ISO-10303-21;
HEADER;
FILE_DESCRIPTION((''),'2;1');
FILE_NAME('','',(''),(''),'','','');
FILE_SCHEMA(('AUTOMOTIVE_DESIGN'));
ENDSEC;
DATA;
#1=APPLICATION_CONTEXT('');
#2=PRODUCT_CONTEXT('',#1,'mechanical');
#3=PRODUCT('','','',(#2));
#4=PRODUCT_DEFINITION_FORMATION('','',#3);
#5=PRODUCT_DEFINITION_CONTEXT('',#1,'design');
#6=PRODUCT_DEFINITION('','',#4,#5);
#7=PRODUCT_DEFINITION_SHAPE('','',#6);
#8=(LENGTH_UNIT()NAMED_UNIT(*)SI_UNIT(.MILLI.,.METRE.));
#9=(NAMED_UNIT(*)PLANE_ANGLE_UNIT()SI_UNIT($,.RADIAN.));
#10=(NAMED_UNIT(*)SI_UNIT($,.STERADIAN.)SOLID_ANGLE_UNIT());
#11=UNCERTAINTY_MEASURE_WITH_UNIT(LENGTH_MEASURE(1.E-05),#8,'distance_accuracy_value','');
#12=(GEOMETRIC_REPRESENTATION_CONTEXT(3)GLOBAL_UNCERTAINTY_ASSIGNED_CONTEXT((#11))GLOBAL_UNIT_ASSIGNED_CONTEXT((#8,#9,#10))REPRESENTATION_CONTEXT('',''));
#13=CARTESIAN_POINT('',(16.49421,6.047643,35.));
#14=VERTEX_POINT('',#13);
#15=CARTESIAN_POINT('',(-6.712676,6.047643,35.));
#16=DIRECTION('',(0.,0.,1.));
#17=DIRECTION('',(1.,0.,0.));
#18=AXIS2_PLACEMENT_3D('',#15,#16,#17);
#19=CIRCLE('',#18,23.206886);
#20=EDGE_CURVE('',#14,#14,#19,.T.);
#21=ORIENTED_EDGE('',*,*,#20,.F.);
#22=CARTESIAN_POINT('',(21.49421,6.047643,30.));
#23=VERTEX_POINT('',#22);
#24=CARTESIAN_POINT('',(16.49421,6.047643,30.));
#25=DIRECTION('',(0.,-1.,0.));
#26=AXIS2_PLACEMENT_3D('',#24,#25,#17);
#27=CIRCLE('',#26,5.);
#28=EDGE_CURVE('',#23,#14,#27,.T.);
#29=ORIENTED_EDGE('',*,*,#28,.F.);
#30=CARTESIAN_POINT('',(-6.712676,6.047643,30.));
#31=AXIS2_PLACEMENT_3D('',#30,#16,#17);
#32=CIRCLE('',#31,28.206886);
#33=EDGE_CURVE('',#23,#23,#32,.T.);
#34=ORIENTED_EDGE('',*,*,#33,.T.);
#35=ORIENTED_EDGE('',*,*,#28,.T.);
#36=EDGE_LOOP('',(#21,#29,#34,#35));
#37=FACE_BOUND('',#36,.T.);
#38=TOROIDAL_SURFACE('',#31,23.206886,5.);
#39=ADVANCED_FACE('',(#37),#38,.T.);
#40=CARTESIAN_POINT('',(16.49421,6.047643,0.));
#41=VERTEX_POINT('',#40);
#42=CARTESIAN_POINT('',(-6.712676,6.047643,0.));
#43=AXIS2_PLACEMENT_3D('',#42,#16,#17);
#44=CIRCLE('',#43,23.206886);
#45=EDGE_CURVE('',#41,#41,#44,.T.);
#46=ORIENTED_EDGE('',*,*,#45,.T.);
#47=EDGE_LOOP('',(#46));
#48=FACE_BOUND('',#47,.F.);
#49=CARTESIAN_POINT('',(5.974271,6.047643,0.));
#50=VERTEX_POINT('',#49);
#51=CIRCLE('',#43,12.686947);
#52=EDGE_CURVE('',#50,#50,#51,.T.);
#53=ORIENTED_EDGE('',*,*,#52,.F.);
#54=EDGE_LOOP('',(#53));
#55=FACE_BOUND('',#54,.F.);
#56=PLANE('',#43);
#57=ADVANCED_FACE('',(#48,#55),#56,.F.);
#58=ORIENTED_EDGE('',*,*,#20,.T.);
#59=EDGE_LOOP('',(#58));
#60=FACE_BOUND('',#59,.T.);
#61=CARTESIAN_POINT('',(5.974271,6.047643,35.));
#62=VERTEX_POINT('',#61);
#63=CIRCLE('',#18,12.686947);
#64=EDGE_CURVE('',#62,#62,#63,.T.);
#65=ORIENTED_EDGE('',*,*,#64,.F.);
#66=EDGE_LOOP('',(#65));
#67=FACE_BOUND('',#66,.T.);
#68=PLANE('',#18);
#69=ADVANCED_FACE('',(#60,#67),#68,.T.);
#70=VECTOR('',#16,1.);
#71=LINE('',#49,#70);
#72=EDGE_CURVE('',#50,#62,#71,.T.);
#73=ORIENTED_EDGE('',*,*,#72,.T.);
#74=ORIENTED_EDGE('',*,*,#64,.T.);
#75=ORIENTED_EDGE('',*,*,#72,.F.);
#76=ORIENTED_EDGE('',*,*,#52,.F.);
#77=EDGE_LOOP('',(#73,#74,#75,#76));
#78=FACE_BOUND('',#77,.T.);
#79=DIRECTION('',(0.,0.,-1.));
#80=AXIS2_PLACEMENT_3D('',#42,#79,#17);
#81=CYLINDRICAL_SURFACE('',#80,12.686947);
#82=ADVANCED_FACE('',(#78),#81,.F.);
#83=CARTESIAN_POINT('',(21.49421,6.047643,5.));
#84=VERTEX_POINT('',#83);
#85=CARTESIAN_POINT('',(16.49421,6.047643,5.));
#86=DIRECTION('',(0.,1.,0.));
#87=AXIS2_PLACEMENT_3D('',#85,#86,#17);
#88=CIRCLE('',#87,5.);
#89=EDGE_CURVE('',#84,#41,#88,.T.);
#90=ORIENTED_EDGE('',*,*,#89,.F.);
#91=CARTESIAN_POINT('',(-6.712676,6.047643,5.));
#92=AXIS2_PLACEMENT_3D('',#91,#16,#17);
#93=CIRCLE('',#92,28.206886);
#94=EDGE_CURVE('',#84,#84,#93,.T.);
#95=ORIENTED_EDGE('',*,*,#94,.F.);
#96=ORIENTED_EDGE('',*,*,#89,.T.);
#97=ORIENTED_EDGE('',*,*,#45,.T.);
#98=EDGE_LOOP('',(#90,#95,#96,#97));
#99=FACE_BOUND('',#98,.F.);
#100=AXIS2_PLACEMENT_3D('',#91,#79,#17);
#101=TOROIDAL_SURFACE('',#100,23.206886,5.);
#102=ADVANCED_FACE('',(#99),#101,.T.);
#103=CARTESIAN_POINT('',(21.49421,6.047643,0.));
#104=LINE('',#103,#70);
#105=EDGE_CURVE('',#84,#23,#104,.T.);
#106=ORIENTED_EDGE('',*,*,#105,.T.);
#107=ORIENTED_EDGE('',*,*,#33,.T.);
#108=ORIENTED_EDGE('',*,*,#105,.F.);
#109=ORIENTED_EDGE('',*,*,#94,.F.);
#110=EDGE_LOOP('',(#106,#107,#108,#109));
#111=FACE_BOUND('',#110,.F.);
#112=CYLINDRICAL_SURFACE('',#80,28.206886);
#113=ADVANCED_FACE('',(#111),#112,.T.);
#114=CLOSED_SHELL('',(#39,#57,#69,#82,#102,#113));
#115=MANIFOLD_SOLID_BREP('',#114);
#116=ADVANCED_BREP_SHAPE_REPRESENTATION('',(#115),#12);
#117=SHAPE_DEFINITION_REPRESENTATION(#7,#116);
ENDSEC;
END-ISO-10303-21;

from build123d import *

# Parameters (mm, degrees)
F0_R     = 28.206886
F0_R_2   = 12.686947
F1_DEPTH = 35
F2_R     = 5


with BuildPart() as f1:
    # F0 (on Top) → F1 (new body)
    with BuildSketch(Plane.XY):
        with Locations((-6.712676, 6.047643)):
            Circle(F0_R)
        with Locations((-6.712676, 6.047643)):
            Circle(F0_R_2, mode=Mode.SUBTRACT)
    extrude(amount=F1_DEPTH)

    # F2
    f2_edges = [f1.edges().sort_by_distance(p)[0] for p in [
        (21.49421, 6.047643, 17.5),
        (-34.919562, 6.047643, 0),
        (-34.919562, 6.047643, 35),
    ]]
    fillet(f2_edges, radius=F2_R)


solid = f1.part
